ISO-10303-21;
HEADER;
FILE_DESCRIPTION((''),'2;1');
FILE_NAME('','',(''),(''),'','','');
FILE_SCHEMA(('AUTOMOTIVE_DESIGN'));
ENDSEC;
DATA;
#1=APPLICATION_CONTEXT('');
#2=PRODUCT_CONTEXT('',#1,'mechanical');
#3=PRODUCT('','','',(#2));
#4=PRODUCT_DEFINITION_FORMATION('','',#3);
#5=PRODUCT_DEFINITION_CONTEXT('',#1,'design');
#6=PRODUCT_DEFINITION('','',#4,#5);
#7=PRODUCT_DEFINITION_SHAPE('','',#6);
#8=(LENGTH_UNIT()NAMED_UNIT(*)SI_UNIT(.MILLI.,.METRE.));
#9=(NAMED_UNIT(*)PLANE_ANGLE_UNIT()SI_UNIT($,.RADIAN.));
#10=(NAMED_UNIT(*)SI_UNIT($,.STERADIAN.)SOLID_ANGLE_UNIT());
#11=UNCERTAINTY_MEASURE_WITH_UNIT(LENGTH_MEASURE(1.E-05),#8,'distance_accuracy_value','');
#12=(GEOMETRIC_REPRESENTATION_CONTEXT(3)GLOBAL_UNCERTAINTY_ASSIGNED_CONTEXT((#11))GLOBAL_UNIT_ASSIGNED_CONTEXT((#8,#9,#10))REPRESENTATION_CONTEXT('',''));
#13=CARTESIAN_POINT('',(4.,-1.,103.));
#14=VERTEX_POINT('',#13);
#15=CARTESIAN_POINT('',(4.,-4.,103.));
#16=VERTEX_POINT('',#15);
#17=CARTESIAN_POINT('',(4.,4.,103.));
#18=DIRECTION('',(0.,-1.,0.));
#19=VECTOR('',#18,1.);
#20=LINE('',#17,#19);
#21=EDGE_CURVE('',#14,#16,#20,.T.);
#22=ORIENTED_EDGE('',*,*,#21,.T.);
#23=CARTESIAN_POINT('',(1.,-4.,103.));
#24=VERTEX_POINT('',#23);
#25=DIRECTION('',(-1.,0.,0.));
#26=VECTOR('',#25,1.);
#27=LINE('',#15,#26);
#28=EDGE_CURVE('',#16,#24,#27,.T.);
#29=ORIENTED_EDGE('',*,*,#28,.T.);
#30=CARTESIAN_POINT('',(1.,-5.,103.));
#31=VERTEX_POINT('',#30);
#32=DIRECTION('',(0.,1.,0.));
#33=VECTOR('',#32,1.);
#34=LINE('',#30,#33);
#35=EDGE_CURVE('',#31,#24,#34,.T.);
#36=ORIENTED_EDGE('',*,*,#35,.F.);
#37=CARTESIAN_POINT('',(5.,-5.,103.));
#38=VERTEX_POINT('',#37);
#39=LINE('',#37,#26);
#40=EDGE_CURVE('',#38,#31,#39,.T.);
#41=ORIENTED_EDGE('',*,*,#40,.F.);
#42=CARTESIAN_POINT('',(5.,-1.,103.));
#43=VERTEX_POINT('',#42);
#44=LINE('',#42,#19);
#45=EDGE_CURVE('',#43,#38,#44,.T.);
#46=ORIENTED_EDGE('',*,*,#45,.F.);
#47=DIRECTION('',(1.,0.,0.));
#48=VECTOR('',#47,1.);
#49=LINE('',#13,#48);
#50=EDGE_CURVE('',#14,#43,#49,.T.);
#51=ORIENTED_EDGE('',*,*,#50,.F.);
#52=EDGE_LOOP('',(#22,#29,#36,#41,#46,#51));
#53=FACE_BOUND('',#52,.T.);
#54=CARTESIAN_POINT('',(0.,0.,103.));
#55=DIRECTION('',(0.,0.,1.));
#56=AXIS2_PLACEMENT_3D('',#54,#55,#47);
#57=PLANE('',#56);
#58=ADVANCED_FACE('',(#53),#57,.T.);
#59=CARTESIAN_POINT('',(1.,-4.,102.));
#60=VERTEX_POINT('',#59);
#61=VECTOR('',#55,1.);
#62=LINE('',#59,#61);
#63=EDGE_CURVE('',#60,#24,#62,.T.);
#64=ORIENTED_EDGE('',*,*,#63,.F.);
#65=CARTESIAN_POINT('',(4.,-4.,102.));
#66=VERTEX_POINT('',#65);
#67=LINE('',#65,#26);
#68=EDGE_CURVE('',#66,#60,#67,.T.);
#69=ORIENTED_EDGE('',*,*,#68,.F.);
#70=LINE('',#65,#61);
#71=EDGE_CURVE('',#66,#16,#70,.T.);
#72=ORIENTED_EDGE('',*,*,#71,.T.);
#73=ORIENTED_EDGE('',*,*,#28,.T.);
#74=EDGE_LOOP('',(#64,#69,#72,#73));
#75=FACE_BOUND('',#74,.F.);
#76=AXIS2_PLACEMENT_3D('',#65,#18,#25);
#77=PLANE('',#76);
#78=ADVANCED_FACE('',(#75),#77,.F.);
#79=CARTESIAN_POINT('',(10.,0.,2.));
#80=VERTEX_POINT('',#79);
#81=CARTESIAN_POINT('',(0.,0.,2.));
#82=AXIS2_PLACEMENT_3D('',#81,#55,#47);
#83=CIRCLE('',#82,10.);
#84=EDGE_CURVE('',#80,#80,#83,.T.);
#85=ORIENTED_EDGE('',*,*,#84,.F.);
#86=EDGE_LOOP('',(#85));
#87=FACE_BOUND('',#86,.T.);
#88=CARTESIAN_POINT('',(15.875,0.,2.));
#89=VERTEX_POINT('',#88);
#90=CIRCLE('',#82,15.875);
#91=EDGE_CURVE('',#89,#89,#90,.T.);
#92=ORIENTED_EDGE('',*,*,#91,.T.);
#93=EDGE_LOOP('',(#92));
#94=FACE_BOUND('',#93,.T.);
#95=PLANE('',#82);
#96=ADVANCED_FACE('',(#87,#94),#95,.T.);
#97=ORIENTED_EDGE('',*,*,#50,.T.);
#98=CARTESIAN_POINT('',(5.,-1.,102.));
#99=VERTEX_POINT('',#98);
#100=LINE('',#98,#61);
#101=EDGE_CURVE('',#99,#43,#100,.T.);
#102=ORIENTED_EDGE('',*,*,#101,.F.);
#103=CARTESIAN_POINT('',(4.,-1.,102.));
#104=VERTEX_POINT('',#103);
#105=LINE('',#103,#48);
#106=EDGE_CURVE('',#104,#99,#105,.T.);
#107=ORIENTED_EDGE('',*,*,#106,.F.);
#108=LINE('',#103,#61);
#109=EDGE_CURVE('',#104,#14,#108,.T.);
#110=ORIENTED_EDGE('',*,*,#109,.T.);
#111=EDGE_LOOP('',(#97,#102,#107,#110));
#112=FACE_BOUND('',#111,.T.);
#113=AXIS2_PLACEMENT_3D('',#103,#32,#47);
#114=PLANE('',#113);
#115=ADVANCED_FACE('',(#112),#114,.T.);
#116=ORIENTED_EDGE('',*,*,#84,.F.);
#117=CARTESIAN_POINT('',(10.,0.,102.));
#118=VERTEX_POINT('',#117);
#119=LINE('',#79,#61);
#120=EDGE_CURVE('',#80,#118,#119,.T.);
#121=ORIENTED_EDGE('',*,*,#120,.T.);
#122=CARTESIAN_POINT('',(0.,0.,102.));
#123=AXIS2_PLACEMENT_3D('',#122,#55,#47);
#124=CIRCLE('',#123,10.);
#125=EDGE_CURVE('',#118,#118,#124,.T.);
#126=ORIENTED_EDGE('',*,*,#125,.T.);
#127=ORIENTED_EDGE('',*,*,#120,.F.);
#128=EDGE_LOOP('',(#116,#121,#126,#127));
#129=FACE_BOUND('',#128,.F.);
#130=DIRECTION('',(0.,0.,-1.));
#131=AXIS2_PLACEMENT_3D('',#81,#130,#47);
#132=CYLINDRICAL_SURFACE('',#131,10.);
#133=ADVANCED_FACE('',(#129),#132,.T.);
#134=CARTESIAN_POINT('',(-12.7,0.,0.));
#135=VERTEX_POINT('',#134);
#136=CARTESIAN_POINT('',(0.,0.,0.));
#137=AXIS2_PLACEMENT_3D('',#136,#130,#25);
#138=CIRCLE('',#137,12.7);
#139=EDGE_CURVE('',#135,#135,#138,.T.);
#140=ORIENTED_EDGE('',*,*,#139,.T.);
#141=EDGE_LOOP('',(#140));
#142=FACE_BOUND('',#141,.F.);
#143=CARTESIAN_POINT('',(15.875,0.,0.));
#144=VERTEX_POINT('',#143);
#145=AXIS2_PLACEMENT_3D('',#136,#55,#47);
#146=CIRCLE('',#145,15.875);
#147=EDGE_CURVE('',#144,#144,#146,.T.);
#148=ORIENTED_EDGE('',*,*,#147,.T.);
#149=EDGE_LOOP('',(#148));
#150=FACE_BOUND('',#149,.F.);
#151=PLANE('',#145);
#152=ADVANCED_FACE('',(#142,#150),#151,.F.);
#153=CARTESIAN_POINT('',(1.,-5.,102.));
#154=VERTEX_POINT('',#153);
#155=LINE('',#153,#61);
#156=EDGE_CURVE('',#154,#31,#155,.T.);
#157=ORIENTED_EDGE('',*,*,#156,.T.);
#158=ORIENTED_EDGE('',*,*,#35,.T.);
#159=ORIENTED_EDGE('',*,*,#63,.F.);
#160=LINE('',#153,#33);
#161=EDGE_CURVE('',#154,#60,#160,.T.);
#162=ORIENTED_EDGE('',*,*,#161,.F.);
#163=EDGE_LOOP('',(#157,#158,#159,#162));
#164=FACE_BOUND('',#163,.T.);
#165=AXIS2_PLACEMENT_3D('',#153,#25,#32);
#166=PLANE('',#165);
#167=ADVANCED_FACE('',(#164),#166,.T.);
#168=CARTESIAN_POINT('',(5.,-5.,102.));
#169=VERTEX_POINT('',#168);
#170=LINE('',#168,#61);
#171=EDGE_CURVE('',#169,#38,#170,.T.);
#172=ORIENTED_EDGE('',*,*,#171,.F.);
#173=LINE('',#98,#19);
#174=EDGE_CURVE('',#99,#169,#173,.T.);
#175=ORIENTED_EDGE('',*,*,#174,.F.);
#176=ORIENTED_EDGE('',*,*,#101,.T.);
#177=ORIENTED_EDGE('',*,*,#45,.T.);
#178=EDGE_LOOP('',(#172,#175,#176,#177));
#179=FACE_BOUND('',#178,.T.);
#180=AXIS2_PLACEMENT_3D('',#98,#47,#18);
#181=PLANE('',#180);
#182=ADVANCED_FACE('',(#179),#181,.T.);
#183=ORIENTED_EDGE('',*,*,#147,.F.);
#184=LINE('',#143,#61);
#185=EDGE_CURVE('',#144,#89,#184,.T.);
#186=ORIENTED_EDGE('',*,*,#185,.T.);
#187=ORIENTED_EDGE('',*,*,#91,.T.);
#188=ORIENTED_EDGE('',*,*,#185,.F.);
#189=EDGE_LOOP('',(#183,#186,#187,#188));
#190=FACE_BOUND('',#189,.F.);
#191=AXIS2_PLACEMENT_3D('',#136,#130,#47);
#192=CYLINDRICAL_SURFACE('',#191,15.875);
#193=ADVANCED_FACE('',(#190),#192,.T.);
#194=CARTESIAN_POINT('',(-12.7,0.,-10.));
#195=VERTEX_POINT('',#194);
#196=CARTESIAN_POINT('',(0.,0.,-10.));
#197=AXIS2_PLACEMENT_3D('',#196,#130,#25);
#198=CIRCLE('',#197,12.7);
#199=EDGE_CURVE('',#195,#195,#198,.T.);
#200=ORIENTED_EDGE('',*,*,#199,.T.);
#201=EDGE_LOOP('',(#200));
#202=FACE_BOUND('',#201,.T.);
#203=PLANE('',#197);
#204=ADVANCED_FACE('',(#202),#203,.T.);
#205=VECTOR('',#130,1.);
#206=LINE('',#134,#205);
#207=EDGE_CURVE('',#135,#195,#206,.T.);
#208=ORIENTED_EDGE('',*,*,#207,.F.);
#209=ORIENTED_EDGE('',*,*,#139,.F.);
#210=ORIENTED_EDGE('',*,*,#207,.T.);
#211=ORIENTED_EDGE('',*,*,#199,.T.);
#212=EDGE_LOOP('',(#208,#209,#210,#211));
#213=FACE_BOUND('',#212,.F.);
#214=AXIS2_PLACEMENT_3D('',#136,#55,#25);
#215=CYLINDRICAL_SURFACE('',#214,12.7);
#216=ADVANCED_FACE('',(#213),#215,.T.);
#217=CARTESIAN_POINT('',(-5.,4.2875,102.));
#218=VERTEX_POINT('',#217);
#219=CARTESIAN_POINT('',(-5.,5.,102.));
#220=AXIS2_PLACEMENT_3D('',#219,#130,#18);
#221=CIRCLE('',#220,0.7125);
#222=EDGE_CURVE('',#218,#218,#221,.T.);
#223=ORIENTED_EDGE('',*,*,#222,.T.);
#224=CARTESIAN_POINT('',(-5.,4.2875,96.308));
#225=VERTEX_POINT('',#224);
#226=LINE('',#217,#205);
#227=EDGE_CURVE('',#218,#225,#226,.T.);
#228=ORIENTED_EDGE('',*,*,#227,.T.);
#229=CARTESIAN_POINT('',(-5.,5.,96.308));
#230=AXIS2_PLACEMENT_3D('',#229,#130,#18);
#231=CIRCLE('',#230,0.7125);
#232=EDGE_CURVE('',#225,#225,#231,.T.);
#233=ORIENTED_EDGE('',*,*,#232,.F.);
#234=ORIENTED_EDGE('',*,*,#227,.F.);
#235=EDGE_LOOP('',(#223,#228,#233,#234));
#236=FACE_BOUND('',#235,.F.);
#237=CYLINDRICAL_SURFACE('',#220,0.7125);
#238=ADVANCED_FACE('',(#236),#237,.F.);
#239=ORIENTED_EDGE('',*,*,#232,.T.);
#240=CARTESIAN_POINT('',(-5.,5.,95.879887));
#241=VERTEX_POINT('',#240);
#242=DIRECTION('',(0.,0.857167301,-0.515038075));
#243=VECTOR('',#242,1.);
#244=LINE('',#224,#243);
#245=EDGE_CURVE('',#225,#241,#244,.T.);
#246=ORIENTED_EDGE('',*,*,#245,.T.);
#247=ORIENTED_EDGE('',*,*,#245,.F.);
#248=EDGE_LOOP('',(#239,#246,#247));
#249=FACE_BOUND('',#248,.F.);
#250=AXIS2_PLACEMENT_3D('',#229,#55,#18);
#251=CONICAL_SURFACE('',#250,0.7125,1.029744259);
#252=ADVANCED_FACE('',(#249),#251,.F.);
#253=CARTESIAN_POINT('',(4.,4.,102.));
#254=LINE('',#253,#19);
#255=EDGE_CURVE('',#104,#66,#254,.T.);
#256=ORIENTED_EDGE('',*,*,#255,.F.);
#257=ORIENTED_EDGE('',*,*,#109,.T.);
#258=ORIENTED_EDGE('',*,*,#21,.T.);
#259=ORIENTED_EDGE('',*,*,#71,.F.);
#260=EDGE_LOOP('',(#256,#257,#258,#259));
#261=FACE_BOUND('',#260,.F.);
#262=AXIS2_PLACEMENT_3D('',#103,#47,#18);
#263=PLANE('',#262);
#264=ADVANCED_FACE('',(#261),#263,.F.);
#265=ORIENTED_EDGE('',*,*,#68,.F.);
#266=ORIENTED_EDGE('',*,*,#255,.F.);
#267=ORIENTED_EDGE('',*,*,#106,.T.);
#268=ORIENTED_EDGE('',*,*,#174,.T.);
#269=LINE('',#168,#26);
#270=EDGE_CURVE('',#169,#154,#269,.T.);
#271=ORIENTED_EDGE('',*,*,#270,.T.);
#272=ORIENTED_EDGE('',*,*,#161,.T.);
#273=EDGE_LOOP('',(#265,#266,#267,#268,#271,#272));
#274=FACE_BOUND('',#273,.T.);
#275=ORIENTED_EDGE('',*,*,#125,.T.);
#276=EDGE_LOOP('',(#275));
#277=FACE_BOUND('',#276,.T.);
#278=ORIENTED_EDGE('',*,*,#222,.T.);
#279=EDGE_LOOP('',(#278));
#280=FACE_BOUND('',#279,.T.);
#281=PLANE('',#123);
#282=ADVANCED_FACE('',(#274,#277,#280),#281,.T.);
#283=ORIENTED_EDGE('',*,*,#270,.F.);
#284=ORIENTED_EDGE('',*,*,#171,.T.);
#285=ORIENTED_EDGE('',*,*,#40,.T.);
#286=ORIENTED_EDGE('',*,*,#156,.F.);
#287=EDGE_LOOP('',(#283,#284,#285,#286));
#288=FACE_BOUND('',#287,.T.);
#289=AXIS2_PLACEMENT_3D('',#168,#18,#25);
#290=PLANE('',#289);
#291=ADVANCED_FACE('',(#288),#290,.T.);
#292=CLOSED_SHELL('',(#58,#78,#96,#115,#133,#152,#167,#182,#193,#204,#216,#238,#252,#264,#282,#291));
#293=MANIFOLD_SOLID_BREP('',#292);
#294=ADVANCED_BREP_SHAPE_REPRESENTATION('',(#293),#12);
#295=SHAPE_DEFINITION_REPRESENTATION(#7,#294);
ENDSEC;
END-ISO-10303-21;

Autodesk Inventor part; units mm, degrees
ref_plane "YZ Plane" through (0, 0, 0) normal (1, 0, 0) x (0, 1, 0)
ref_plane "XZ Plane" through (0, 0, 0) normal (0, 1, 0) x (-1, 0, 0)
ref_plane "XY Plane" through (0, 0, 0) normal (0, 0, 1) x (1, 0, 0)
sketch "Sketch1" plane through (0, 0, 0) normal (0, 0, 1) x (1, 0, 0)
  line L0 (-20, -20) -> (20, -20)
  line L1 (20, -20) -> (20, 20)
  line L2 (20, 20) -> (-20, 20)
  line L3 (-20, 20) -> (-20, -20)
  line L4 (-20, -20) -> (20, 20) construction
  line L5 (20, -20) -> (-20, 20) construction
  circle A0 centre (0, 0) radius 15.875
  dimension "d0" = 40
  dimension "d51" = 31.75
extrude "Extrusion1" add sketch "Sketch1" along normal blind 2 contours A0
sketch "Sketch10" plane through (0, 0, 2) normal (0, 0, 1) x (1, 0, 0)
  circle A0 centre (0, 0) radius 10
  dimension "d64" = 20
extrude "Extrusion8" add sketch "Sketch10" along normal blind 100
sketch "Sketch4" plane through (0, 0, 102) normal (0, 0, 1) x (1, 0, 0)
  line L0 (-4, 4) -> (4, 4)
  line L1 (4, 4) -> (4, -4)
  line L2 (4, -4) -> (-4, -4)
  line L3 (-4, -4) -> (-4, 4)
  line L4 (-4, 4) -> (4, -4) construction
  line L5 (4, 4) -> (-4, -4) construction
  line L6 (4, -1) -> (5, -1)
  line L7 (5, -1) -> (5, -5)
  line L8 (5, -5) -> (1, -5)
  line L9 (1, -5) -> (1, -4)
  point P0 (0, 0)
  point P1 (0, 0)
  point P2 (0, 0)
  point P3 (-5, 5)
  point P4 (0, 0)
  dimension "d16" = 8
  dimension "d17" = 1
  dimension "d18" = 4
  dimension "d30" = 5
  dimension "d31" = 5
sketch "Sketch9" plane through (0, 0, 0) normal (0, 0, -1) x (-1, 0, 0)
  circle A0 centre (0, 0) radius 12.7
  dimension "d52" = 25.4
extrude "Extrusion6" add sketch "Sketch9" along normal blind 10
extrude "Extrusion7" add sketch "Sketch4" along normal blind 1 contours L6 L7 L8 L9 L2 L1
hole "Hole4" at (-5, 5, 102) direction (0, 0, -1) diameter 1.425 depth 5.692 tip angle 118 thread size "1-64 UNC" class "2B" standard "ANSI Unified Screw Threads"
equation "\"d31\" = d30"
properties part number "ChipMount"
